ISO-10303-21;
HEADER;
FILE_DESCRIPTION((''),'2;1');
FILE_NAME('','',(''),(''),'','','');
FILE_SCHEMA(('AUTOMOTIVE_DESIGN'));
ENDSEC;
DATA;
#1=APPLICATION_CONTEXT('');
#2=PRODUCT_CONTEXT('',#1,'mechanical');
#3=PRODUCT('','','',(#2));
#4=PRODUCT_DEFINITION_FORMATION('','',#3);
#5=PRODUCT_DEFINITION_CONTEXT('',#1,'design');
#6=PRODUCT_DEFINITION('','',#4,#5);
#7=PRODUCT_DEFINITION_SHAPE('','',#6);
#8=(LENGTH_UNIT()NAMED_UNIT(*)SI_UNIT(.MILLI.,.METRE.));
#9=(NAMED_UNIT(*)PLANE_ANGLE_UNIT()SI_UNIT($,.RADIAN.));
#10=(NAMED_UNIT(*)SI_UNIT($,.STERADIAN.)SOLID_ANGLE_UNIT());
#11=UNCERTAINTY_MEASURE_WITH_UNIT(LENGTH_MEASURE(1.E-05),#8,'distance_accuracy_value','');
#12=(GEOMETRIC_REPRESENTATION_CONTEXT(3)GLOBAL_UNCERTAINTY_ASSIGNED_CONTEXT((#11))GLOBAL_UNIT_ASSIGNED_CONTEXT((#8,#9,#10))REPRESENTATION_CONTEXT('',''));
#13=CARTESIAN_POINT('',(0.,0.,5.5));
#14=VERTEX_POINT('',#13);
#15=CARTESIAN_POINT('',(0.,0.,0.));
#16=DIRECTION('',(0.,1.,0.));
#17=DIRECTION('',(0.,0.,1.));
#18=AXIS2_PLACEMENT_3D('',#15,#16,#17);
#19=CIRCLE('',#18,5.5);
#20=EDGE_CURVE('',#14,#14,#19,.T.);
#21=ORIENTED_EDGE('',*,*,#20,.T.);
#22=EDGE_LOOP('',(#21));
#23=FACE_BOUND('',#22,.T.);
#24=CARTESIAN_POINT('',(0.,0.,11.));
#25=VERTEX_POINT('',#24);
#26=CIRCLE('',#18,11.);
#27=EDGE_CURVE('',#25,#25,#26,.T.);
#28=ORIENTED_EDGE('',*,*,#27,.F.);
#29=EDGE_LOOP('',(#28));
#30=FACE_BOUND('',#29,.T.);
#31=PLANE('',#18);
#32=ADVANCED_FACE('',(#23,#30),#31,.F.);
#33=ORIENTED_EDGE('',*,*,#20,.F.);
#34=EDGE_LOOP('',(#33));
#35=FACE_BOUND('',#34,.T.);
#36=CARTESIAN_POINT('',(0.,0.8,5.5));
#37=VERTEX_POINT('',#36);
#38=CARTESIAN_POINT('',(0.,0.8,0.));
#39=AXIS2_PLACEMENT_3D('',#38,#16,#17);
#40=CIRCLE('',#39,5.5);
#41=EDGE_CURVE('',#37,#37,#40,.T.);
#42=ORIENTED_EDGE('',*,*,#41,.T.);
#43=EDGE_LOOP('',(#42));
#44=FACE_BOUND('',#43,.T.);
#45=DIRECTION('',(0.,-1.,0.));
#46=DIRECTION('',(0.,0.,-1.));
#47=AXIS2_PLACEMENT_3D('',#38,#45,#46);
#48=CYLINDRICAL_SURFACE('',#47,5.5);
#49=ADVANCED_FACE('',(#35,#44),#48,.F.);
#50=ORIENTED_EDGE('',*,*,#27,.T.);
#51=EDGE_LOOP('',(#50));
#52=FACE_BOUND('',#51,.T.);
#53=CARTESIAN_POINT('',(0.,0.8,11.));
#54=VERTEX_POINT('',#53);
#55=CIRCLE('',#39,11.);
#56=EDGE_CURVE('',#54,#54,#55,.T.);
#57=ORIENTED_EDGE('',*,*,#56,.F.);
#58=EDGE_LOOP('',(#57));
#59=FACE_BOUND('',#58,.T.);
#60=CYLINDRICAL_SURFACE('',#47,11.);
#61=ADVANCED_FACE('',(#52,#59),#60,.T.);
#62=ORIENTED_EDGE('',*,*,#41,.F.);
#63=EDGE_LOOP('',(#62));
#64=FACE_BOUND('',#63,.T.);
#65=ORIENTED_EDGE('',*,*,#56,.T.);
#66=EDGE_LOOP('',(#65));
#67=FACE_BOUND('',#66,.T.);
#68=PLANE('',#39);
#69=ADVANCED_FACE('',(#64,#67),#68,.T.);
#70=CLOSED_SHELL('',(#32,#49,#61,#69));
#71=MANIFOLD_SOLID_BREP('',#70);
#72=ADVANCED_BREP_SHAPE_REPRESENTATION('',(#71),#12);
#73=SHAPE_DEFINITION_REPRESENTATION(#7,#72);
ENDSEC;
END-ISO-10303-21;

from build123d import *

# Parameters (mm, degrees)
SKETCH1_R           = 11
SKETCH1_R_2         = 5.5
BOSS_EXTRUDE1_DEPTH = 0.8


with BuildPart() as part:
    # Sketch1 → Boss-Extrude1 (new body)
    with BuildSketch(Plane(origin=(0, 0, 0), x_dir=(1, 0, 0), z_dir=(0, 1, 0))):
        with Locations(Location((0, 0, 0), (0, 0, 270))):
            Circle(SKETCH1_R)
        with Locations(Location((0, 0, 0), (0, 0, 270))):
            Circle(SKETCH1_R_2, mode=Mode.SUBTRACT)
    extrude(amount=BOSS_EXTRUDE1_DEPTH)


solid = part.part
